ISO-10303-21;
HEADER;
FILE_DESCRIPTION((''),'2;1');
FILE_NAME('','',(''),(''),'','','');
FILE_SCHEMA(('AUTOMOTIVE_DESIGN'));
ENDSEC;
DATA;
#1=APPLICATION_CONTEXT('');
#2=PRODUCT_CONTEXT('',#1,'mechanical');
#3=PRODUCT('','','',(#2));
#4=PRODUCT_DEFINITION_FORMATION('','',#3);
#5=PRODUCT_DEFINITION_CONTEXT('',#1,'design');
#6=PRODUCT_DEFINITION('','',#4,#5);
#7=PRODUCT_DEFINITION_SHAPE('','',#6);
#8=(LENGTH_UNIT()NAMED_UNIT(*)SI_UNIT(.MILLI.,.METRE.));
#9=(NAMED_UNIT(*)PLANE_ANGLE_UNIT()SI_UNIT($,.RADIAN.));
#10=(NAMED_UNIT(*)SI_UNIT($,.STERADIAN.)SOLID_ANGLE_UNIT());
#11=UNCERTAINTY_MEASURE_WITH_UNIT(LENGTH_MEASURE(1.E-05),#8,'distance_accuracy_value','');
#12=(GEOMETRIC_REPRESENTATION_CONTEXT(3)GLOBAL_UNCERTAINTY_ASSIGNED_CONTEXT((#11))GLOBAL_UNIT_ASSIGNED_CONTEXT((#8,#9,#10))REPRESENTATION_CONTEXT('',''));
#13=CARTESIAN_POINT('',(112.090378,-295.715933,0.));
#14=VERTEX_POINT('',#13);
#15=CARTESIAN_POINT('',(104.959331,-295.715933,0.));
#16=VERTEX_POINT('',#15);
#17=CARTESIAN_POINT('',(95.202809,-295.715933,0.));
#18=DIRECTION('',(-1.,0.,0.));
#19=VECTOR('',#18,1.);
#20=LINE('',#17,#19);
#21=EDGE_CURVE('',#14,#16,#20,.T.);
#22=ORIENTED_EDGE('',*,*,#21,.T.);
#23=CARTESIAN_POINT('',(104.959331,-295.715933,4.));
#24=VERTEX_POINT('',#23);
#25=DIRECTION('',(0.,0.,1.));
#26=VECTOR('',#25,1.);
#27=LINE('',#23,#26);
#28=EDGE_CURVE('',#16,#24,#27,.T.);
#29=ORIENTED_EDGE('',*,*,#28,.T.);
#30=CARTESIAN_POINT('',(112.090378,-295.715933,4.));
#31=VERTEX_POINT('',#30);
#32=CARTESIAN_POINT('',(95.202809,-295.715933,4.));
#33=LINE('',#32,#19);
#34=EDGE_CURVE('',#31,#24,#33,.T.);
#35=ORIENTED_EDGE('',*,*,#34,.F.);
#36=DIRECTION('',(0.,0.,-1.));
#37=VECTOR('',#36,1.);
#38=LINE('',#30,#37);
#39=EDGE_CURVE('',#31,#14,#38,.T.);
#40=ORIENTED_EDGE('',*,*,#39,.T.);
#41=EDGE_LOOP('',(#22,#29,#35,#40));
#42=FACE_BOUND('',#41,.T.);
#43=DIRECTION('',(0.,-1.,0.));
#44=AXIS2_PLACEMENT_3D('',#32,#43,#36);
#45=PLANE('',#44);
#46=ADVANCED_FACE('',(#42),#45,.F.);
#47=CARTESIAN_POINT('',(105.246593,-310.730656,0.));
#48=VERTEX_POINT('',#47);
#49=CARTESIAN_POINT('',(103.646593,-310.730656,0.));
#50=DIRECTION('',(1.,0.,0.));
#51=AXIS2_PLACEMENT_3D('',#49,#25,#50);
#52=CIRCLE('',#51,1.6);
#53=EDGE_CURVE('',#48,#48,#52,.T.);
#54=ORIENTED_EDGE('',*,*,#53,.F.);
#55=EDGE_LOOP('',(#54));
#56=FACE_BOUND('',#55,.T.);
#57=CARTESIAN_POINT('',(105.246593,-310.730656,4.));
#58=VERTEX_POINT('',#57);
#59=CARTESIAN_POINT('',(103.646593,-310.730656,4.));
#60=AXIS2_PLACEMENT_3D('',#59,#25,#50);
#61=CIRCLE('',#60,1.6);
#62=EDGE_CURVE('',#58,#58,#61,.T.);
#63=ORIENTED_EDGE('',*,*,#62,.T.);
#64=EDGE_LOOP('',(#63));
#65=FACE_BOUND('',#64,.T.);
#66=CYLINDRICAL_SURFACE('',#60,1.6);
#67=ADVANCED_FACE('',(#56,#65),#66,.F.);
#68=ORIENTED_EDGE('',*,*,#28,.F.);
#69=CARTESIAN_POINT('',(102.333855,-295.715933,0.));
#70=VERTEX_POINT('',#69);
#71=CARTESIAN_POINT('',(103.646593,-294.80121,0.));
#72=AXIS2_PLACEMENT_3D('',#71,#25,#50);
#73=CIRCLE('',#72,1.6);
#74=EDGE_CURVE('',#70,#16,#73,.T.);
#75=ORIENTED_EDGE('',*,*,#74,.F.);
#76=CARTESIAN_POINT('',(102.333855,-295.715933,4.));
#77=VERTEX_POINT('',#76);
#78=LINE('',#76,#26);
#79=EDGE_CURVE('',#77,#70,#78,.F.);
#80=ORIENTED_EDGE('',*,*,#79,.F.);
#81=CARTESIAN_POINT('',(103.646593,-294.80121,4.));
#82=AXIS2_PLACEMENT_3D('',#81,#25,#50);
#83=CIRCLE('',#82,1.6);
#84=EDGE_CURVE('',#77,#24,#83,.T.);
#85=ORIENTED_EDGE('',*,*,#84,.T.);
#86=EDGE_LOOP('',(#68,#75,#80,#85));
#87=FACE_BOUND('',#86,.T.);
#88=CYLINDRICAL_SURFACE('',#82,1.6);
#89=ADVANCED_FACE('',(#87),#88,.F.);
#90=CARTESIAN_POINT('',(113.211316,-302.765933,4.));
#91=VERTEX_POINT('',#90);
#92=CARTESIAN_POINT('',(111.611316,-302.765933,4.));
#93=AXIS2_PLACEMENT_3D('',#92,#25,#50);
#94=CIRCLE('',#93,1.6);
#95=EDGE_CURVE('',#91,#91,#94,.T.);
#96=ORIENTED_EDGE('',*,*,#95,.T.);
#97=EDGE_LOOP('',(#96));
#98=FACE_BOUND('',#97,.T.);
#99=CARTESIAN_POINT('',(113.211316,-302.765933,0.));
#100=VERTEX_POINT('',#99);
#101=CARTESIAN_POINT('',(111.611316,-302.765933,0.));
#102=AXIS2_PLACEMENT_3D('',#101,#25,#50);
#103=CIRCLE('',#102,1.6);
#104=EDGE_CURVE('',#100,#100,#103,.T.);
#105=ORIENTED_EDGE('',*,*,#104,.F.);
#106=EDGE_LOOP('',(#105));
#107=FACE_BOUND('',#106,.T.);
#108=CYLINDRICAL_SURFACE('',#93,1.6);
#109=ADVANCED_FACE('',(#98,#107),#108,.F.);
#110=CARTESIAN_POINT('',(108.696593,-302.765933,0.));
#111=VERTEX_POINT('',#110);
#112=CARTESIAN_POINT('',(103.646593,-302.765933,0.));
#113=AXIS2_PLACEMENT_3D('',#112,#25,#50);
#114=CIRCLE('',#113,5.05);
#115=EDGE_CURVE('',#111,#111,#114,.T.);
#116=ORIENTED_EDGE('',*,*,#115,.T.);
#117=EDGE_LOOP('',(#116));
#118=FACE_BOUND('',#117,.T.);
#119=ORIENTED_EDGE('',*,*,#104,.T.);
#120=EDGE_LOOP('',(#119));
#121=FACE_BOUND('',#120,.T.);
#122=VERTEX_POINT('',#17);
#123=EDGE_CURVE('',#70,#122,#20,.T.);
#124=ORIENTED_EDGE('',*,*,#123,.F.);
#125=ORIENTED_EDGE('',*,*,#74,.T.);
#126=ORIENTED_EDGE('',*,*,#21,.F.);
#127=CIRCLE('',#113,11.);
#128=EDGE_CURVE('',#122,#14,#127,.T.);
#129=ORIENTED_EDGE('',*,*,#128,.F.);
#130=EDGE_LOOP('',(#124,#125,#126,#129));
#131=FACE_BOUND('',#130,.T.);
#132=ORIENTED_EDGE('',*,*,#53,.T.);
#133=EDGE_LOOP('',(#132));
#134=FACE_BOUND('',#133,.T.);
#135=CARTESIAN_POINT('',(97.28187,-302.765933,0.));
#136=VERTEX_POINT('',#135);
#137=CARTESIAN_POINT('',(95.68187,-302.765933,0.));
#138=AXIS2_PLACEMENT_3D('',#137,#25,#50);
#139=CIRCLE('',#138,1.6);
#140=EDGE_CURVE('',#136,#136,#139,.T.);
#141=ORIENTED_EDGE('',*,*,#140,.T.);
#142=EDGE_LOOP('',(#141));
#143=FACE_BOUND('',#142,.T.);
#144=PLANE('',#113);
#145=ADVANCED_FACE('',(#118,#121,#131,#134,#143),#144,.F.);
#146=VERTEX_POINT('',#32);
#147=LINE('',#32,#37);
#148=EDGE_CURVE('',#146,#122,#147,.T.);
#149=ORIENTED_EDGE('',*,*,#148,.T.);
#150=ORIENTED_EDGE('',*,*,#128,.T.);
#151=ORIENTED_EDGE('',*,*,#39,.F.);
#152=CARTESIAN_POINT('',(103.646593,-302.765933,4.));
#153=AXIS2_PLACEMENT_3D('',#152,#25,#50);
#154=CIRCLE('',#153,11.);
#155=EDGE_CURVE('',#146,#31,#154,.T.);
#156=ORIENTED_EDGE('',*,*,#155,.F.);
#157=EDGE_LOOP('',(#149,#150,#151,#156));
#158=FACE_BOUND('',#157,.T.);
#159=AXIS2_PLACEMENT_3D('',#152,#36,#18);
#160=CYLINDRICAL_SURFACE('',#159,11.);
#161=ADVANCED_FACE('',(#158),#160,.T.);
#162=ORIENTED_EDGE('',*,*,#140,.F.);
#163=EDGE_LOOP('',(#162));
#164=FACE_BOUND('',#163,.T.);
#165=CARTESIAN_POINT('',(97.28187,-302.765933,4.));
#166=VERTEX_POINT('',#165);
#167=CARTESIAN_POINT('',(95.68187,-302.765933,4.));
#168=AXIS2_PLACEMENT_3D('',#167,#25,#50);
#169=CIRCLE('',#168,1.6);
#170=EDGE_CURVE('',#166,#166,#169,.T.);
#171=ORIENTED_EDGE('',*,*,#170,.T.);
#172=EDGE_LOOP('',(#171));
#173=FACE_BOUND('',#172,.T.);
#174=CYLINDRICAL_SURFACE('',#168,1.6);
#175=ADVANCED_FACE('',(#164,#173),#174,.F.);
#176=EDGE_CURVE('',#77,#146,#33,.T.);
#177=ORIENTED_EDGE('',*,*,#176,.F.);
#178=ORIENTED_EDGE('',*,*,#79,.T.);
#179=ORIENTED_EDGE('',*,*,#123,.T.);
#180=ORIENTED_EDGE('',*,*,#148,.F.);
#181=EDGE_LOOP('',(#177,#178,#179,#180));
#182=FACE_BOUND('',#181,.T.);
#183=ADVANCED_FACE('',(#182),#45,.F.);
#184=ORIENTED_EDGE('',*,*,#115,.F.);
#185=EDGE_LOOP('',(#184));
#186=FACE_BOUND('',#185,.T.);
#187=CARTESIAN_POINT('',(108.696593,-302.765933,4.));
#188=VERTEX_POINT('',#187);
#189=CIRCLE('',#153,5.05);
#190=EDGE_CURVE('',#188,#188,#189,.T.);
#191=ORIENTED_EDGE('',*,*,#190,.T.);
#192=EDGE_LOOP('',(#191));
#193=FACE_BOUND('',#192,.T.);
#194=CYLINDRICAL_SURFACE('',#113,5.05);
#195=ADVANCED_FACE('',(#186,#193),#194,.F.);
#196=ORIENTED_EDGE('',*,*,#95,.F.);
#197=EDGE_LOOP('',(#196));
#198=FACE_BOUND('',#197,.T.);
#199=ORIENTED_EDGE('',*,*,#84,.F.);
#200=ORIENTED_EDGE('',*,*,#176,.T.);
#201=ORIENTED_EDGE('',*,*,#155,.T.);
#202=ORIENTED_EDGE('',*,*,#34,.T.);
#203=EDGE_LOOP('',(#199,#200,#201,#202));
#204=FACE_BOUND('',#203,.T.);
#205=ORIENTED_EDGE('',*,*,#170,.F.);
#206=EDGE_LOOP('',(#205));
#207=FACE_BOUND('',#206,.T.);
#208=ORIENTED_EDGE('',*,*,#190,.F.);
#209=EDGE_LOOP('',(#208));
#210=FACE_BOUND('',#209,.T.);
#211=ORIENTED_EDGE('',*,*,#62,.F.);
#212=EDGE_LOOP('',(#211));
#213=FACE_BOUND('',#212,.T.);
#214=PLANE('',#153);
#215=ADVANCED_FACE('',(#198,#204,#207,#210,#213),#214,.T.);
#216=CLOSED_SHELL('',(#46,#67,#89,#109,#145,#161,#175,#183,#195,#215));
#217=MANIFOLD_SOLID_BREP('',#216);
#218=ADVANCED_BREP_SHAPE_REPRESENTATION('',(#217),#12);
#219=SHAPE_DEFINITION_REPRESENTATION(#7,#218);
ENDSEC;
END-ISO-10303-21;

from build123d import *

# Parameters (mm, degrees)
RESSALTO_EXTRUS_O1_DEPTH = 4
ESBO_O2_R                = 5.05
CORTE_EXTRUS_O1_DEPTH    = 4
M3_CLEARANCE_HOLE1_D     = 3.2


with BuildPart() as part:
    # Esboço1 → Ressalto-extrusão1 (new body)
    with BuildSketch(Plane.XY):
        with BuildLine():
            Line((95.202808527, -295.7159332), (112.09037792, -295.7159332))
            ThreePointArc((112.09037792, -295.7159332), (103.646593224, -313.7659332), (95.202808527, -295.7159332))
        make_face()
    extrude(amount=RESSALTO_EXTRUS_O1_DEPTH)

    # Esboço2 → Corte-extrusão1 (cut)
    with BuildSketch(Plane.XY.offset(4)):
        with Locations((103.646593224, -302.7659332)):
            Circle(ESBO_O2_R)
    extrude(amount=-CORTE_EXTRUS_O1_DEPTH, mode=Mode.SUBTRACT)

    # M3 Clearance Hole1 (through all)
    with Locations(Plane.XY.offset(4)):
        with Locations((95.681870132, -302.765933199), (111.611316315, -302.765933199), (103.646593224, -310.730656291), (103.646593224, -294.801210108)):
            Hole(M3_CLEARANCE_HOLE1_D / 2)


solid = part.part
